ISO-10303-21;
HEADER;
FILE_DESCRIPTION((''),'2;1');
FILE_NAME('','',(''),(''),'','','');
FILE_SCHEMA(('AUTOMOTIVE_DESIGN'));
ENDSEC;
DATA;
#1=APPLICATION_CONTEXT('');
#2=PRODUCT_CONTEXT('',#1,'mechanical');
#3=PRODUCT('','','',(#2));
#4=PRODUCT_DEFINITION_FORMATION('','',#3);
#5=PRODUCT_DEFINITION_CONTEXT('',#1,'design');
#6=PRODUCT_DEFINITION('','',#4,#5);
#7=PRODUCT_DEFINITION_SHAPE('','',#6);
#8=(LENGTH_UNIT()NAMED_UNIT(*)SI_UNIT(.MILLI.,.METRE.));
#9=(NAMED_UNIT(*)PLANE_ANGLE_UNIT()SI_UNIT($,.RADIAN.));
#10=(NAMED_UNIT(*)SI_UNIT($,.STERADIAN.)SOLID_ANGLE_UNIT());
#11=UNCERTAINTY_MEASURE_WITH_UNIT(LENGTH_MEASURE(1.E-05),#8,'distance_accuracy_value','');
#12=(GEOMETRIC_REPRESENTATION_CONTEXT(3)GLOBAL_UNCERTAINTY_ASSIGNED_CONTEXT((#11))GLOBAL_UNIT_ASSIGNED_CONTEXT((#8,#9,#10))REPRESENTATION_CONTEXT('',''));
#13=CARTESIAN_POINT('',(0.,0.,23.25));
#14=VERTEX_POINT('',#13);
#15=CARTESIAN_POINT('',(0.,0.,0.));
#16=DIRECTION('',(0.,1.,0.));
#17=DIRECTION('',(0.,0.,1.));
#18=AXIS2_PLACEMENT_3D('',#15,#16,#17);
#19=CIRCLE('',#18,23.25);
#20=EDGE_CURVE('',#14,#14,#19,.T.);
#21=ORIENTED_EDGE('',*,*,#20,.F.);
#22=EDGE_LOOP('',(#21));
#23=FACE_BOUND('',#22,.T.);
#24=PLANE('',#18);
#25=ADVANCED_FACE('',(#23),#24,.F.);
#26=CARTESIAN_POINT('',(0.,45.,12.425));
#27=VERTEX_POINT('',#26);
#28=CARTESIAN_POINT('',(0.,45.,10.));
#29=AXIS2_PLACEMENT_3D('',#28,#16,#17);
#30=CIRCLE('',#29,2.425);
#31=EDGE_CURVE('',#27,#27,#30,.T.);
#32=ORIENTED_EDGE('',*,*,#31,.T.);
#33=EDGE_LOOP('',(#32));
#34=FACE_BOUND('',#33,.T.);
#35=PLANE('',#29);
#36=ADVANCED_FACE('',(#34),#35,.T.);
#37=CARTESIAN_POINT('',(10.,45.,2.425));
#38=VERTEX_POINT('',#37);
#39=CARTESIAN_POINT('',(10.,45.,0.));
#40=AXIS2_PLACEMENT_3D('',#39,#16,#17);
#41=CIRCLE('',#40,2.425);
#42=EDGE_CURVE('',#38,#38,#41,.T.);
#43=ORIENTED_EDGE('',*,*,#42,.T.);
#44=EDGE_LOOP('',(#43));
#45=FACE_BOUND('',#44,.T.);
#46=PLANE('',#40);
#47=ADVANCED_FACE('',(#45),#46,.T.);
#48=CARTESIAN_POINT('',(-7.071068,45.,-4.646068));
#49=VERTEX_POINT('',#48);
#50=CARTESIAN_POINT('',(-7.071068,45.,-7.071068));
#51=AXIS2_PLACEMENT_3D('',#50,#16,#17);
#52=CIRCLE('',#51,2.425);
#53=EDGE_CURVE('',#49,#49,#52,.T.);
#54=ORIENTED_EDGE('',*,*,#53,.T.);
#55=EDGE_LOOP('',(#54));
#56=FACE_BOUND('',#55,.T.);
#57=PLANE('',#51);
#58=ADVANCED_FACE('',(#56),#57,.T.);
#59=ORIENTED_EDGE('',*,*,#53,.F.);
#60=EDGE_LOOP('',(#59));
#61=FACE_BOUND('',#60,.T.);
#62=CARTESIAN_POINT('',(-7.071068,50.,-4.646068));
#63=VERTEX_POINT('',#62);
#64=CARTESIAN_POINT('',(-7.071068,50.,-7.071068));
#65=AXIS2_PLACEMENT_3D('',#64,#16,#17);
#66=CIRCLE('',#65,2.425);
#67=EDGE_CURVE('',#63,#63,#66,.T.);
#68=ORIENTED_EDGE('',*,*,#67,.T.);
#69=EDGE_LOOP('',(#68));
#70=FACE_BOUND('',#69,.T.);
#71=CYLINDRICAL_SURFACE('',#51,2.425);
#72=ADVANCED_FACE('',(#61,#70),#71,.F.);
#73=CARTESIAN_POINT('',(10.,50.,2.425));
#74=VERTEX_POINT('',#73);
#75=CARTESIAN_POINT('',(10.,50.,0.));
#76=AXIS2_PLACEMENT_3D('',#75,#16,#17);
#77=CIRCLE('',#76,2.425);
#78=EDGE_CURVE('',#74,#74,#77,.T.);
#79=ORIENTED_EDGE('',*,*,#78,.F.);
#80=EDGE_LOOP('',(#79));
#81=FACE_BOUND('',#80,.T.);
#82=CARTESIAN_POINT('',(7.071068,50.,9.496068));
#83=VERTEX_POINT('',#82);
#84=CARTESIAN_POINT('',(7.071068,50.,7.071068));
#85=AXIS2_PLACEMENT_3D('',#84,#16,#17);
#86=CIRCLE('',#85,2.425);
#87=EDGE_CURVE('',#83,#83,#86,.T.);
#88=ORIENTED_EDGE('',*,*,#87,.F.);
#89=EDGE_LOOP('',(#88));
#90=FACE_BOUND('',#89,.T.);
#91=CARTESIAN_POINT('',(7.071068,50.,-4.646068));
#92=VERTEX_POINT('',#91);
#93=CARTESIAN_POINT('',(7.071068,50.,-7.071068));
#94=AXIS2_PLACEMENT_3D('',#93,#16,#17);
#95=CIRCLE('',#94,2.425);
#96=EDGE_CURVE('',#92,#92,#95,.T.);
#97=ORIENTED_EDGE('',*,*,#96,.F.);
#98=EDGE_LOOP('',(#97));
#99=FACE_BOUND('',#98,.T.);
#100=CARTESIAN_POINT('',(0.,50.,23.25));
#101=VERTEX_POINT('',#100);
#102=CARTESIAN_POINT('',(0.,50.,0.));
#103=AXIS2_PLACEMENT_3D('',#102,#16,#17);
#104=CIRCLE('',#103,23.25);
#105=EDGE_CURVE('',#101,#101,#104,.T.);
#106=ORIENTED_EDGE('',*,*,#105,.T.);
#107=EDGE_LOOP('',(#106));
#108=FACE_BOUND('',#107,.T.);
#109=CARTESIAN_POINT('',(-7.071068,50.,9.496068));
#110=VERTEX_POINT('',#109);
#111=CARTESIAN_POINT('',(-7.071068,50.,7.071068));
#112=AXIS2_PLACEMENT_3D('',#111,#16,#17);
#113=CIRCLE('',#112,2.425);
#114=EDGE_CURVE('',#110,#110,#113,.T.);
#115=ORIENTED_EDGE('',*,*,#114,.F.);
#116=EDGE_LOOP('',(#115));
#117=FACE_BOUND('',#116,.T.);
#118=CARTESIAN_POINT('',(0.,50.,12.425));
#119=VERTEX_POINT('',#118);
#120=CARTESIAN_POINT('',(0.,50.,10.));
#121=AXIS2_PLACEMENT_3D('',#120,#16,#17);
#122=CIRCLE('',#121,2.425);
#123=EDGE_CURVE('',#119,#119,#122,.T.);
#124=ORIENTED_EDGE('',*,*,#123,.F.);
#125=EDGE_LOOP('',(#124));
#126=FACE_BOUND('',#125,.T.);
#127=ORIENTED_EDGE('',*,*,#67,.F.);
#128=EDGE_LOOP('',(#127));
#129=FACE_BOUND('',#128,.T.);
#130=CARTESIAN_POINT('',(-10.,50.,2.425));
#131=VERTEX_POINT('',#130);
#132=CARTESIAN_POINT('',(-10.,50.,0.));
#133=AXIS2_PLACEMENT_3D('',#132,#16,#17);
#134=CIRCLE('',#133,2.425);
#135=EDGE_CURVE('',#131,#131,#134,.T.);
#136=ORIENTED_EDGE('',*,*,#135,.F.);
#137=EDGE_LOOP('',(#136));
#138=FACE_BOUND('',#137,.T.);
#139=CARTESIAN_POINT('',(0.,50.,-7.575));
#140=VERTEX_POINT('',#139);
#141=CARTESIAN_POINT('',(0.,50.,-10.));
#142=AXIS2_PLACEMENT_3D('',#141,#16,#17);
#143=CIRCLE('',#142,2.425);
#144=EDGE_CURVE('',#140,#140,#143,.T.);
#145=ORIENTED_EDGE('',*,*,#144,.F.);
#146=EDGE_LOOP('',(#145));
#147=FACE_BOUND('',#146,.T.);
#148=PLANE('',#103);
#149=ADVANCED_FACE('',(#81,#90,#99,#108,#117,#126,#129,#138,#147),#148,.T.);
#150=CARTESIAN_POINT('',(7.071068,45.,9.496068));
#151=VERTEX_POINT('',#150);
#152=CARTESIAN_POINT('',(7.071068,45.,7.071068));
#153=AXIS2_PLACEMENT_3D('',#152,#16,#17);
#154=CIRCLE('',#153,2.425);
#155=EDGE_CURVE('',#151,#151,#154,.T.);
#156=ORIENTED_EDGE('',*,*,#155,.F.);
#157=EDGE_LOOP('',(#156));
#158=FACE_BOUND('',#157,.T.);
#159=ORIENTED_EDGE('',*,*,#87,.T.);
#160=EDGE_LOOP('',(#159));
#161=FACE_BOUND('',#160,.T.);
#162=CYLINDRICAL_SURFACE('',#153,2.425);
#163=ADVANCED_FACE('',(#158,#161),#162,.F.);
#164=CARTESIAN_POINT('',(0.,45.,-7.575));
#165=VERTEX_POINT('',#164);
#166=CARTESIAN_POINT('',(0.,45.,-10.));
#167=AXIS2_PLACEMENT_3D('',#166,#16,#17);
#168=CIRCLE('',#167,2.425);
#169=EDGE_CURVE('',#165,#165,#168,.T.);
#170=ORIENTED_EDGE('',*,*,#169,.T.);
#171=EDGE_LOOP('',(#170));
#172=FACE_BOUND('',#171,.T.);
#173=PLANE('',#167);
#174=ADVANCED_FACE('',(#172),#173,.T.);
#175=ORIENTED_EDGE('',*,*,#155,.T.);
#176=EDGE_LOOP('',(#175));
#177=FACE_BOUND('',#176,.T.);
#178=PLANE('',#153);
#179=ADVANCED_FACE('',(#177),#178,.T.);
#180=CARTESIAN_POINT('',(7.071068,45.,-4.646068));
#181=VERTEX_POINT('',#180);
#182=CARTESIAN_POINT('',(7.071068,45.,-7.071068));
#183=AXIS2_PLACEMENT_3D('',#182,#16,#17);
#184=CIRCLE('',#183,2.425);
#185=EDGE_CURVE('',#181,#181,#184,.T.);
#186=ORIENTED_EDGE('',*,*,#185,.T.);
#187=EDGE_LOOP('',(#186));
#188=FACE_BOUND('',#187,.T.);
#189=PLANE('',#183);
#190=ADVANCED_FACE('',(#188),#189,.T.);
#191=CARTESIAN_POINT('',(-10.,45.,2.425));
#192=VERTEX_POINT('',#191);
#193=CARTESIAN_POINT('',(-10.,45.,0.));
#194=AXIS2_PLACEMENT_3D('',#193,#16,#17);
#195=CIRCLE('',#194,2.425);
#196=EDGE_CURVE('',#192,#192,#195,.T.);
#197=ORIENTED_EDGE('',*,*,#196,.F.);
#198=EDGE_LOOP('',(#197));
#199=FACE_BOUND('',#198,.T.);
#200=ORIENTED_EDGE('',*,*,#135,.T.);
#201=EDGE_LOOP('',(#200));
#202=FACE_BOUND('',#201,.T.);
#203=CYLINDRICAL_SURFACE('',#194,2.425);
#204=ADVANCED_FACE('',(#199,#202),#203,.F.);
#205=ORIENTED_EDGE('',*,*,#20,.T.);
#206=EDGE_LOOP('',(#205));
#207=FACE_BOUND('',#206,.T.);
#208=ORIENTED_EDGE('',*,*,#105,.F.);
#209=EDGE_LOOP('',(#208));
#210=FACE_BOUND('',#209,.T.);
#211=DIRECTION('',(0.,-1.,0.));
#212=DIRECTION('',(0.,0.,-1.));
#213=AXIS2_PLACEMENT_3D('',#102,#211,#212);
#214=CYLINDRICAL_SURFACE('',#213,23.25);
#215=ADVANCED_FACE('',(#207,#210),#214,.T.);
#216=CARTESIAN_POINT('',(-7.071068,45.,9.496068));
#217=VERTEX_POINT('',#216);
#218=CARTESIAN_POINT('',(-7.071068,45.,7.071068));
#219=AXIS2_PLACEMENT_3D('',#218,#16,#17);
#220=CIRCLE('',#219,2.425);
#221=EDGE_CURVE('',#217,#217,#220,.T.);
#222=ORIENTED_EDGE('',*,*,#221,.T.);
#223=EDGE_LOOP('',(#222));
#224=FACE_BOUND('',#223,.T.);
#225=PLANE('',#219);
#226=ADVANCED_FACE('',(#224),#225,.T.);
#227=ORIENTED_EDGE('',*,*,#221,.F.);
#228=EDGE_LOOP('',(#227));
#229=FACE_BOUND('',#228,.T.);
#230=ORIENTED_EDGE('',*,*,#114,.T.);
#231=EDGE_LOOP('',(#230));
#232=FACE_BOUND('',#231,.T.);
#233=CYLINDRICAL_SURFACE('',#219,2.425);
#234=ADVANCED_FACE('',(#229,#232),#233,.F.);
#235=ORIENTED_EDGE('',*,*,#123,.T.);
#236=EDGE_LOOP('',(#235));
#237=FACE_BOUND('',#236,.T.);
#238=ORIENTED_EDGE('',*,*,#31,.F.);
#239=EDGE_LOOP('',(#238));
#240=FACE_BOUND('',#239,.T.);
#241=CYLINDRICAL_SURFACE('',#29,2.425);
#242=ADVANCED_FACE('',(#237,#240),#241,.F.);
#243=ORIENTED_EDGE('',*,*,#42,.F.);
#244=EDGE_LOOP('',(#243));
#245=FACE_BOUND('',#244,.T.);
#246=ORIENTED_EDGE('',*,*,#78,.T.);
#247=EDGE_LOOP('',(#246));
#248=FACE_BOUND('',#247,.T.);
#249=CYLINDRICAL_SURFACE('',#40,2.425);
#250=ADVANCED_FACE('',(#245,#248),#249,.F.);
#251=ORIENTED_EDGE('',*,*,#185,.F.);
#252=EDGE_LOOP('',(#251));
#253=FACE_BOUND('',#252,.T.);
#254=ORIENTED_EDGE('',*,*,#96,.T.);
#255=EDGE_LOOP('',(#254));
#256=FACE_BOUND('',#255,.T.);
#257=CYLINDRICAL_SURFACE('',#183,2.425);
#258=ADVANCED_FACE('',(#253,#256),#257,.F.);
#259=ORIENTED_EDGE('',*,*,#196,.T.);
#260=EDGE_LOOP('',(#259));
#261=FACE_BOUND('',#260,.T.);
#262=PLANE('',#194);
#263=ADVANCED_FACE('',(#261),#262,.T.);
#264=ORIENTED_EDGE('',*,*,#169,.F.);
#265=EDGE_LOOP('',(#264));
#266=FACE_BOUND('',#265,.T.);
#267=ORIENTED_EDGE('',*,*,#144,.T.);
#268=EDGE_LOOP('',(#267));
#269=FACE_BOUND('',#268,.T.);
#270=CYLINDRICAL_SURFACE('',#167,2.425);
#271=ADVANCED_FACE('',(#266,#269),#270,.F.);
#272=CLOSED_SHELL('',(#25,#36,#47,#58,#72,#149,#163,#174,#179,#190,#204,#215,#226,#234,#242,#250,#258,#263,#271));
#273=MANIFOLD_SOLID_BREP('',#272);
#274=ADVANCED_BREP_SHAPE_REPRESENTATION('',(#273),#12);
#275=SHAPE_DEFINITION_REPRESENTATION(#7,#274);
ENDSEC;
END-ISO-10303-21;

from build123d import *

# Parameters (mm, degrees)
SKETCH1_R           = 23.25
BOSS_EXTRUDE1_DEPTH = 50
SKETCH2_R           = 2.425
CUT_EXTRUDE1_DEPTH  = 5


with BuildPart() as part:
    # Sketch1 → Boss-Extrude1 (new body)
    with BuildSketch(Plane(origin=(0, 0, 0), x_dir=(1, 0, 0), z_dir=(0, 1, 0))):
        with Locations(Location((0, 0, 0), (0, 0, 270))):
            Circle(SKETCH1_R)
    extrude(amount=BOSS_EXTRUDE1_DEPTH)

    # Sketch2 → Cut-Extrude1 (cut)
    with BuildSketch(Plane(origin=(0, 50, 0), x_dir=(1, 0, 0), z_dir=(0, 1, 0))):
        with Locations(Location((0, 10, 0), (0, 0, 270))):
            Circle(SKETCH2_R)
        with Locations(Location((7.071067812, 7.071067812, 0), (0, 0, 270))):
            Circle(SKETCH2_R)
        with Locations(Location((10, 0, 0), (0, 0, 270))):
            Circle(SKETCH2_R)
        with Locations(Location((7.071067812, -7.071067812, 0), (0, 0, 270))):
            Circle(SKETCH2_R)
        with Locations(Location((0, -10, 0), (0, 0, 270))):
            Circle(SKETCH2_R)
        with Locations(Location((-7.071067812, -7.071067812, 0), (0, 0, 270))):
            Circle(SKETCH2_R)
        with Locations(Location((-10, 0, 0), (0, 0, 270))):
            Circle(SKETCH2_R)
        with Locations(Location((-7.071067812, 7.071067812, 0), (0, 0, 270))):
            Circle(SKETCH2_R)
    extrude(amount=-CUT_EXTRUDE1_DEPTH, mode=Mode.SUBTRACT)


solid = part.part
